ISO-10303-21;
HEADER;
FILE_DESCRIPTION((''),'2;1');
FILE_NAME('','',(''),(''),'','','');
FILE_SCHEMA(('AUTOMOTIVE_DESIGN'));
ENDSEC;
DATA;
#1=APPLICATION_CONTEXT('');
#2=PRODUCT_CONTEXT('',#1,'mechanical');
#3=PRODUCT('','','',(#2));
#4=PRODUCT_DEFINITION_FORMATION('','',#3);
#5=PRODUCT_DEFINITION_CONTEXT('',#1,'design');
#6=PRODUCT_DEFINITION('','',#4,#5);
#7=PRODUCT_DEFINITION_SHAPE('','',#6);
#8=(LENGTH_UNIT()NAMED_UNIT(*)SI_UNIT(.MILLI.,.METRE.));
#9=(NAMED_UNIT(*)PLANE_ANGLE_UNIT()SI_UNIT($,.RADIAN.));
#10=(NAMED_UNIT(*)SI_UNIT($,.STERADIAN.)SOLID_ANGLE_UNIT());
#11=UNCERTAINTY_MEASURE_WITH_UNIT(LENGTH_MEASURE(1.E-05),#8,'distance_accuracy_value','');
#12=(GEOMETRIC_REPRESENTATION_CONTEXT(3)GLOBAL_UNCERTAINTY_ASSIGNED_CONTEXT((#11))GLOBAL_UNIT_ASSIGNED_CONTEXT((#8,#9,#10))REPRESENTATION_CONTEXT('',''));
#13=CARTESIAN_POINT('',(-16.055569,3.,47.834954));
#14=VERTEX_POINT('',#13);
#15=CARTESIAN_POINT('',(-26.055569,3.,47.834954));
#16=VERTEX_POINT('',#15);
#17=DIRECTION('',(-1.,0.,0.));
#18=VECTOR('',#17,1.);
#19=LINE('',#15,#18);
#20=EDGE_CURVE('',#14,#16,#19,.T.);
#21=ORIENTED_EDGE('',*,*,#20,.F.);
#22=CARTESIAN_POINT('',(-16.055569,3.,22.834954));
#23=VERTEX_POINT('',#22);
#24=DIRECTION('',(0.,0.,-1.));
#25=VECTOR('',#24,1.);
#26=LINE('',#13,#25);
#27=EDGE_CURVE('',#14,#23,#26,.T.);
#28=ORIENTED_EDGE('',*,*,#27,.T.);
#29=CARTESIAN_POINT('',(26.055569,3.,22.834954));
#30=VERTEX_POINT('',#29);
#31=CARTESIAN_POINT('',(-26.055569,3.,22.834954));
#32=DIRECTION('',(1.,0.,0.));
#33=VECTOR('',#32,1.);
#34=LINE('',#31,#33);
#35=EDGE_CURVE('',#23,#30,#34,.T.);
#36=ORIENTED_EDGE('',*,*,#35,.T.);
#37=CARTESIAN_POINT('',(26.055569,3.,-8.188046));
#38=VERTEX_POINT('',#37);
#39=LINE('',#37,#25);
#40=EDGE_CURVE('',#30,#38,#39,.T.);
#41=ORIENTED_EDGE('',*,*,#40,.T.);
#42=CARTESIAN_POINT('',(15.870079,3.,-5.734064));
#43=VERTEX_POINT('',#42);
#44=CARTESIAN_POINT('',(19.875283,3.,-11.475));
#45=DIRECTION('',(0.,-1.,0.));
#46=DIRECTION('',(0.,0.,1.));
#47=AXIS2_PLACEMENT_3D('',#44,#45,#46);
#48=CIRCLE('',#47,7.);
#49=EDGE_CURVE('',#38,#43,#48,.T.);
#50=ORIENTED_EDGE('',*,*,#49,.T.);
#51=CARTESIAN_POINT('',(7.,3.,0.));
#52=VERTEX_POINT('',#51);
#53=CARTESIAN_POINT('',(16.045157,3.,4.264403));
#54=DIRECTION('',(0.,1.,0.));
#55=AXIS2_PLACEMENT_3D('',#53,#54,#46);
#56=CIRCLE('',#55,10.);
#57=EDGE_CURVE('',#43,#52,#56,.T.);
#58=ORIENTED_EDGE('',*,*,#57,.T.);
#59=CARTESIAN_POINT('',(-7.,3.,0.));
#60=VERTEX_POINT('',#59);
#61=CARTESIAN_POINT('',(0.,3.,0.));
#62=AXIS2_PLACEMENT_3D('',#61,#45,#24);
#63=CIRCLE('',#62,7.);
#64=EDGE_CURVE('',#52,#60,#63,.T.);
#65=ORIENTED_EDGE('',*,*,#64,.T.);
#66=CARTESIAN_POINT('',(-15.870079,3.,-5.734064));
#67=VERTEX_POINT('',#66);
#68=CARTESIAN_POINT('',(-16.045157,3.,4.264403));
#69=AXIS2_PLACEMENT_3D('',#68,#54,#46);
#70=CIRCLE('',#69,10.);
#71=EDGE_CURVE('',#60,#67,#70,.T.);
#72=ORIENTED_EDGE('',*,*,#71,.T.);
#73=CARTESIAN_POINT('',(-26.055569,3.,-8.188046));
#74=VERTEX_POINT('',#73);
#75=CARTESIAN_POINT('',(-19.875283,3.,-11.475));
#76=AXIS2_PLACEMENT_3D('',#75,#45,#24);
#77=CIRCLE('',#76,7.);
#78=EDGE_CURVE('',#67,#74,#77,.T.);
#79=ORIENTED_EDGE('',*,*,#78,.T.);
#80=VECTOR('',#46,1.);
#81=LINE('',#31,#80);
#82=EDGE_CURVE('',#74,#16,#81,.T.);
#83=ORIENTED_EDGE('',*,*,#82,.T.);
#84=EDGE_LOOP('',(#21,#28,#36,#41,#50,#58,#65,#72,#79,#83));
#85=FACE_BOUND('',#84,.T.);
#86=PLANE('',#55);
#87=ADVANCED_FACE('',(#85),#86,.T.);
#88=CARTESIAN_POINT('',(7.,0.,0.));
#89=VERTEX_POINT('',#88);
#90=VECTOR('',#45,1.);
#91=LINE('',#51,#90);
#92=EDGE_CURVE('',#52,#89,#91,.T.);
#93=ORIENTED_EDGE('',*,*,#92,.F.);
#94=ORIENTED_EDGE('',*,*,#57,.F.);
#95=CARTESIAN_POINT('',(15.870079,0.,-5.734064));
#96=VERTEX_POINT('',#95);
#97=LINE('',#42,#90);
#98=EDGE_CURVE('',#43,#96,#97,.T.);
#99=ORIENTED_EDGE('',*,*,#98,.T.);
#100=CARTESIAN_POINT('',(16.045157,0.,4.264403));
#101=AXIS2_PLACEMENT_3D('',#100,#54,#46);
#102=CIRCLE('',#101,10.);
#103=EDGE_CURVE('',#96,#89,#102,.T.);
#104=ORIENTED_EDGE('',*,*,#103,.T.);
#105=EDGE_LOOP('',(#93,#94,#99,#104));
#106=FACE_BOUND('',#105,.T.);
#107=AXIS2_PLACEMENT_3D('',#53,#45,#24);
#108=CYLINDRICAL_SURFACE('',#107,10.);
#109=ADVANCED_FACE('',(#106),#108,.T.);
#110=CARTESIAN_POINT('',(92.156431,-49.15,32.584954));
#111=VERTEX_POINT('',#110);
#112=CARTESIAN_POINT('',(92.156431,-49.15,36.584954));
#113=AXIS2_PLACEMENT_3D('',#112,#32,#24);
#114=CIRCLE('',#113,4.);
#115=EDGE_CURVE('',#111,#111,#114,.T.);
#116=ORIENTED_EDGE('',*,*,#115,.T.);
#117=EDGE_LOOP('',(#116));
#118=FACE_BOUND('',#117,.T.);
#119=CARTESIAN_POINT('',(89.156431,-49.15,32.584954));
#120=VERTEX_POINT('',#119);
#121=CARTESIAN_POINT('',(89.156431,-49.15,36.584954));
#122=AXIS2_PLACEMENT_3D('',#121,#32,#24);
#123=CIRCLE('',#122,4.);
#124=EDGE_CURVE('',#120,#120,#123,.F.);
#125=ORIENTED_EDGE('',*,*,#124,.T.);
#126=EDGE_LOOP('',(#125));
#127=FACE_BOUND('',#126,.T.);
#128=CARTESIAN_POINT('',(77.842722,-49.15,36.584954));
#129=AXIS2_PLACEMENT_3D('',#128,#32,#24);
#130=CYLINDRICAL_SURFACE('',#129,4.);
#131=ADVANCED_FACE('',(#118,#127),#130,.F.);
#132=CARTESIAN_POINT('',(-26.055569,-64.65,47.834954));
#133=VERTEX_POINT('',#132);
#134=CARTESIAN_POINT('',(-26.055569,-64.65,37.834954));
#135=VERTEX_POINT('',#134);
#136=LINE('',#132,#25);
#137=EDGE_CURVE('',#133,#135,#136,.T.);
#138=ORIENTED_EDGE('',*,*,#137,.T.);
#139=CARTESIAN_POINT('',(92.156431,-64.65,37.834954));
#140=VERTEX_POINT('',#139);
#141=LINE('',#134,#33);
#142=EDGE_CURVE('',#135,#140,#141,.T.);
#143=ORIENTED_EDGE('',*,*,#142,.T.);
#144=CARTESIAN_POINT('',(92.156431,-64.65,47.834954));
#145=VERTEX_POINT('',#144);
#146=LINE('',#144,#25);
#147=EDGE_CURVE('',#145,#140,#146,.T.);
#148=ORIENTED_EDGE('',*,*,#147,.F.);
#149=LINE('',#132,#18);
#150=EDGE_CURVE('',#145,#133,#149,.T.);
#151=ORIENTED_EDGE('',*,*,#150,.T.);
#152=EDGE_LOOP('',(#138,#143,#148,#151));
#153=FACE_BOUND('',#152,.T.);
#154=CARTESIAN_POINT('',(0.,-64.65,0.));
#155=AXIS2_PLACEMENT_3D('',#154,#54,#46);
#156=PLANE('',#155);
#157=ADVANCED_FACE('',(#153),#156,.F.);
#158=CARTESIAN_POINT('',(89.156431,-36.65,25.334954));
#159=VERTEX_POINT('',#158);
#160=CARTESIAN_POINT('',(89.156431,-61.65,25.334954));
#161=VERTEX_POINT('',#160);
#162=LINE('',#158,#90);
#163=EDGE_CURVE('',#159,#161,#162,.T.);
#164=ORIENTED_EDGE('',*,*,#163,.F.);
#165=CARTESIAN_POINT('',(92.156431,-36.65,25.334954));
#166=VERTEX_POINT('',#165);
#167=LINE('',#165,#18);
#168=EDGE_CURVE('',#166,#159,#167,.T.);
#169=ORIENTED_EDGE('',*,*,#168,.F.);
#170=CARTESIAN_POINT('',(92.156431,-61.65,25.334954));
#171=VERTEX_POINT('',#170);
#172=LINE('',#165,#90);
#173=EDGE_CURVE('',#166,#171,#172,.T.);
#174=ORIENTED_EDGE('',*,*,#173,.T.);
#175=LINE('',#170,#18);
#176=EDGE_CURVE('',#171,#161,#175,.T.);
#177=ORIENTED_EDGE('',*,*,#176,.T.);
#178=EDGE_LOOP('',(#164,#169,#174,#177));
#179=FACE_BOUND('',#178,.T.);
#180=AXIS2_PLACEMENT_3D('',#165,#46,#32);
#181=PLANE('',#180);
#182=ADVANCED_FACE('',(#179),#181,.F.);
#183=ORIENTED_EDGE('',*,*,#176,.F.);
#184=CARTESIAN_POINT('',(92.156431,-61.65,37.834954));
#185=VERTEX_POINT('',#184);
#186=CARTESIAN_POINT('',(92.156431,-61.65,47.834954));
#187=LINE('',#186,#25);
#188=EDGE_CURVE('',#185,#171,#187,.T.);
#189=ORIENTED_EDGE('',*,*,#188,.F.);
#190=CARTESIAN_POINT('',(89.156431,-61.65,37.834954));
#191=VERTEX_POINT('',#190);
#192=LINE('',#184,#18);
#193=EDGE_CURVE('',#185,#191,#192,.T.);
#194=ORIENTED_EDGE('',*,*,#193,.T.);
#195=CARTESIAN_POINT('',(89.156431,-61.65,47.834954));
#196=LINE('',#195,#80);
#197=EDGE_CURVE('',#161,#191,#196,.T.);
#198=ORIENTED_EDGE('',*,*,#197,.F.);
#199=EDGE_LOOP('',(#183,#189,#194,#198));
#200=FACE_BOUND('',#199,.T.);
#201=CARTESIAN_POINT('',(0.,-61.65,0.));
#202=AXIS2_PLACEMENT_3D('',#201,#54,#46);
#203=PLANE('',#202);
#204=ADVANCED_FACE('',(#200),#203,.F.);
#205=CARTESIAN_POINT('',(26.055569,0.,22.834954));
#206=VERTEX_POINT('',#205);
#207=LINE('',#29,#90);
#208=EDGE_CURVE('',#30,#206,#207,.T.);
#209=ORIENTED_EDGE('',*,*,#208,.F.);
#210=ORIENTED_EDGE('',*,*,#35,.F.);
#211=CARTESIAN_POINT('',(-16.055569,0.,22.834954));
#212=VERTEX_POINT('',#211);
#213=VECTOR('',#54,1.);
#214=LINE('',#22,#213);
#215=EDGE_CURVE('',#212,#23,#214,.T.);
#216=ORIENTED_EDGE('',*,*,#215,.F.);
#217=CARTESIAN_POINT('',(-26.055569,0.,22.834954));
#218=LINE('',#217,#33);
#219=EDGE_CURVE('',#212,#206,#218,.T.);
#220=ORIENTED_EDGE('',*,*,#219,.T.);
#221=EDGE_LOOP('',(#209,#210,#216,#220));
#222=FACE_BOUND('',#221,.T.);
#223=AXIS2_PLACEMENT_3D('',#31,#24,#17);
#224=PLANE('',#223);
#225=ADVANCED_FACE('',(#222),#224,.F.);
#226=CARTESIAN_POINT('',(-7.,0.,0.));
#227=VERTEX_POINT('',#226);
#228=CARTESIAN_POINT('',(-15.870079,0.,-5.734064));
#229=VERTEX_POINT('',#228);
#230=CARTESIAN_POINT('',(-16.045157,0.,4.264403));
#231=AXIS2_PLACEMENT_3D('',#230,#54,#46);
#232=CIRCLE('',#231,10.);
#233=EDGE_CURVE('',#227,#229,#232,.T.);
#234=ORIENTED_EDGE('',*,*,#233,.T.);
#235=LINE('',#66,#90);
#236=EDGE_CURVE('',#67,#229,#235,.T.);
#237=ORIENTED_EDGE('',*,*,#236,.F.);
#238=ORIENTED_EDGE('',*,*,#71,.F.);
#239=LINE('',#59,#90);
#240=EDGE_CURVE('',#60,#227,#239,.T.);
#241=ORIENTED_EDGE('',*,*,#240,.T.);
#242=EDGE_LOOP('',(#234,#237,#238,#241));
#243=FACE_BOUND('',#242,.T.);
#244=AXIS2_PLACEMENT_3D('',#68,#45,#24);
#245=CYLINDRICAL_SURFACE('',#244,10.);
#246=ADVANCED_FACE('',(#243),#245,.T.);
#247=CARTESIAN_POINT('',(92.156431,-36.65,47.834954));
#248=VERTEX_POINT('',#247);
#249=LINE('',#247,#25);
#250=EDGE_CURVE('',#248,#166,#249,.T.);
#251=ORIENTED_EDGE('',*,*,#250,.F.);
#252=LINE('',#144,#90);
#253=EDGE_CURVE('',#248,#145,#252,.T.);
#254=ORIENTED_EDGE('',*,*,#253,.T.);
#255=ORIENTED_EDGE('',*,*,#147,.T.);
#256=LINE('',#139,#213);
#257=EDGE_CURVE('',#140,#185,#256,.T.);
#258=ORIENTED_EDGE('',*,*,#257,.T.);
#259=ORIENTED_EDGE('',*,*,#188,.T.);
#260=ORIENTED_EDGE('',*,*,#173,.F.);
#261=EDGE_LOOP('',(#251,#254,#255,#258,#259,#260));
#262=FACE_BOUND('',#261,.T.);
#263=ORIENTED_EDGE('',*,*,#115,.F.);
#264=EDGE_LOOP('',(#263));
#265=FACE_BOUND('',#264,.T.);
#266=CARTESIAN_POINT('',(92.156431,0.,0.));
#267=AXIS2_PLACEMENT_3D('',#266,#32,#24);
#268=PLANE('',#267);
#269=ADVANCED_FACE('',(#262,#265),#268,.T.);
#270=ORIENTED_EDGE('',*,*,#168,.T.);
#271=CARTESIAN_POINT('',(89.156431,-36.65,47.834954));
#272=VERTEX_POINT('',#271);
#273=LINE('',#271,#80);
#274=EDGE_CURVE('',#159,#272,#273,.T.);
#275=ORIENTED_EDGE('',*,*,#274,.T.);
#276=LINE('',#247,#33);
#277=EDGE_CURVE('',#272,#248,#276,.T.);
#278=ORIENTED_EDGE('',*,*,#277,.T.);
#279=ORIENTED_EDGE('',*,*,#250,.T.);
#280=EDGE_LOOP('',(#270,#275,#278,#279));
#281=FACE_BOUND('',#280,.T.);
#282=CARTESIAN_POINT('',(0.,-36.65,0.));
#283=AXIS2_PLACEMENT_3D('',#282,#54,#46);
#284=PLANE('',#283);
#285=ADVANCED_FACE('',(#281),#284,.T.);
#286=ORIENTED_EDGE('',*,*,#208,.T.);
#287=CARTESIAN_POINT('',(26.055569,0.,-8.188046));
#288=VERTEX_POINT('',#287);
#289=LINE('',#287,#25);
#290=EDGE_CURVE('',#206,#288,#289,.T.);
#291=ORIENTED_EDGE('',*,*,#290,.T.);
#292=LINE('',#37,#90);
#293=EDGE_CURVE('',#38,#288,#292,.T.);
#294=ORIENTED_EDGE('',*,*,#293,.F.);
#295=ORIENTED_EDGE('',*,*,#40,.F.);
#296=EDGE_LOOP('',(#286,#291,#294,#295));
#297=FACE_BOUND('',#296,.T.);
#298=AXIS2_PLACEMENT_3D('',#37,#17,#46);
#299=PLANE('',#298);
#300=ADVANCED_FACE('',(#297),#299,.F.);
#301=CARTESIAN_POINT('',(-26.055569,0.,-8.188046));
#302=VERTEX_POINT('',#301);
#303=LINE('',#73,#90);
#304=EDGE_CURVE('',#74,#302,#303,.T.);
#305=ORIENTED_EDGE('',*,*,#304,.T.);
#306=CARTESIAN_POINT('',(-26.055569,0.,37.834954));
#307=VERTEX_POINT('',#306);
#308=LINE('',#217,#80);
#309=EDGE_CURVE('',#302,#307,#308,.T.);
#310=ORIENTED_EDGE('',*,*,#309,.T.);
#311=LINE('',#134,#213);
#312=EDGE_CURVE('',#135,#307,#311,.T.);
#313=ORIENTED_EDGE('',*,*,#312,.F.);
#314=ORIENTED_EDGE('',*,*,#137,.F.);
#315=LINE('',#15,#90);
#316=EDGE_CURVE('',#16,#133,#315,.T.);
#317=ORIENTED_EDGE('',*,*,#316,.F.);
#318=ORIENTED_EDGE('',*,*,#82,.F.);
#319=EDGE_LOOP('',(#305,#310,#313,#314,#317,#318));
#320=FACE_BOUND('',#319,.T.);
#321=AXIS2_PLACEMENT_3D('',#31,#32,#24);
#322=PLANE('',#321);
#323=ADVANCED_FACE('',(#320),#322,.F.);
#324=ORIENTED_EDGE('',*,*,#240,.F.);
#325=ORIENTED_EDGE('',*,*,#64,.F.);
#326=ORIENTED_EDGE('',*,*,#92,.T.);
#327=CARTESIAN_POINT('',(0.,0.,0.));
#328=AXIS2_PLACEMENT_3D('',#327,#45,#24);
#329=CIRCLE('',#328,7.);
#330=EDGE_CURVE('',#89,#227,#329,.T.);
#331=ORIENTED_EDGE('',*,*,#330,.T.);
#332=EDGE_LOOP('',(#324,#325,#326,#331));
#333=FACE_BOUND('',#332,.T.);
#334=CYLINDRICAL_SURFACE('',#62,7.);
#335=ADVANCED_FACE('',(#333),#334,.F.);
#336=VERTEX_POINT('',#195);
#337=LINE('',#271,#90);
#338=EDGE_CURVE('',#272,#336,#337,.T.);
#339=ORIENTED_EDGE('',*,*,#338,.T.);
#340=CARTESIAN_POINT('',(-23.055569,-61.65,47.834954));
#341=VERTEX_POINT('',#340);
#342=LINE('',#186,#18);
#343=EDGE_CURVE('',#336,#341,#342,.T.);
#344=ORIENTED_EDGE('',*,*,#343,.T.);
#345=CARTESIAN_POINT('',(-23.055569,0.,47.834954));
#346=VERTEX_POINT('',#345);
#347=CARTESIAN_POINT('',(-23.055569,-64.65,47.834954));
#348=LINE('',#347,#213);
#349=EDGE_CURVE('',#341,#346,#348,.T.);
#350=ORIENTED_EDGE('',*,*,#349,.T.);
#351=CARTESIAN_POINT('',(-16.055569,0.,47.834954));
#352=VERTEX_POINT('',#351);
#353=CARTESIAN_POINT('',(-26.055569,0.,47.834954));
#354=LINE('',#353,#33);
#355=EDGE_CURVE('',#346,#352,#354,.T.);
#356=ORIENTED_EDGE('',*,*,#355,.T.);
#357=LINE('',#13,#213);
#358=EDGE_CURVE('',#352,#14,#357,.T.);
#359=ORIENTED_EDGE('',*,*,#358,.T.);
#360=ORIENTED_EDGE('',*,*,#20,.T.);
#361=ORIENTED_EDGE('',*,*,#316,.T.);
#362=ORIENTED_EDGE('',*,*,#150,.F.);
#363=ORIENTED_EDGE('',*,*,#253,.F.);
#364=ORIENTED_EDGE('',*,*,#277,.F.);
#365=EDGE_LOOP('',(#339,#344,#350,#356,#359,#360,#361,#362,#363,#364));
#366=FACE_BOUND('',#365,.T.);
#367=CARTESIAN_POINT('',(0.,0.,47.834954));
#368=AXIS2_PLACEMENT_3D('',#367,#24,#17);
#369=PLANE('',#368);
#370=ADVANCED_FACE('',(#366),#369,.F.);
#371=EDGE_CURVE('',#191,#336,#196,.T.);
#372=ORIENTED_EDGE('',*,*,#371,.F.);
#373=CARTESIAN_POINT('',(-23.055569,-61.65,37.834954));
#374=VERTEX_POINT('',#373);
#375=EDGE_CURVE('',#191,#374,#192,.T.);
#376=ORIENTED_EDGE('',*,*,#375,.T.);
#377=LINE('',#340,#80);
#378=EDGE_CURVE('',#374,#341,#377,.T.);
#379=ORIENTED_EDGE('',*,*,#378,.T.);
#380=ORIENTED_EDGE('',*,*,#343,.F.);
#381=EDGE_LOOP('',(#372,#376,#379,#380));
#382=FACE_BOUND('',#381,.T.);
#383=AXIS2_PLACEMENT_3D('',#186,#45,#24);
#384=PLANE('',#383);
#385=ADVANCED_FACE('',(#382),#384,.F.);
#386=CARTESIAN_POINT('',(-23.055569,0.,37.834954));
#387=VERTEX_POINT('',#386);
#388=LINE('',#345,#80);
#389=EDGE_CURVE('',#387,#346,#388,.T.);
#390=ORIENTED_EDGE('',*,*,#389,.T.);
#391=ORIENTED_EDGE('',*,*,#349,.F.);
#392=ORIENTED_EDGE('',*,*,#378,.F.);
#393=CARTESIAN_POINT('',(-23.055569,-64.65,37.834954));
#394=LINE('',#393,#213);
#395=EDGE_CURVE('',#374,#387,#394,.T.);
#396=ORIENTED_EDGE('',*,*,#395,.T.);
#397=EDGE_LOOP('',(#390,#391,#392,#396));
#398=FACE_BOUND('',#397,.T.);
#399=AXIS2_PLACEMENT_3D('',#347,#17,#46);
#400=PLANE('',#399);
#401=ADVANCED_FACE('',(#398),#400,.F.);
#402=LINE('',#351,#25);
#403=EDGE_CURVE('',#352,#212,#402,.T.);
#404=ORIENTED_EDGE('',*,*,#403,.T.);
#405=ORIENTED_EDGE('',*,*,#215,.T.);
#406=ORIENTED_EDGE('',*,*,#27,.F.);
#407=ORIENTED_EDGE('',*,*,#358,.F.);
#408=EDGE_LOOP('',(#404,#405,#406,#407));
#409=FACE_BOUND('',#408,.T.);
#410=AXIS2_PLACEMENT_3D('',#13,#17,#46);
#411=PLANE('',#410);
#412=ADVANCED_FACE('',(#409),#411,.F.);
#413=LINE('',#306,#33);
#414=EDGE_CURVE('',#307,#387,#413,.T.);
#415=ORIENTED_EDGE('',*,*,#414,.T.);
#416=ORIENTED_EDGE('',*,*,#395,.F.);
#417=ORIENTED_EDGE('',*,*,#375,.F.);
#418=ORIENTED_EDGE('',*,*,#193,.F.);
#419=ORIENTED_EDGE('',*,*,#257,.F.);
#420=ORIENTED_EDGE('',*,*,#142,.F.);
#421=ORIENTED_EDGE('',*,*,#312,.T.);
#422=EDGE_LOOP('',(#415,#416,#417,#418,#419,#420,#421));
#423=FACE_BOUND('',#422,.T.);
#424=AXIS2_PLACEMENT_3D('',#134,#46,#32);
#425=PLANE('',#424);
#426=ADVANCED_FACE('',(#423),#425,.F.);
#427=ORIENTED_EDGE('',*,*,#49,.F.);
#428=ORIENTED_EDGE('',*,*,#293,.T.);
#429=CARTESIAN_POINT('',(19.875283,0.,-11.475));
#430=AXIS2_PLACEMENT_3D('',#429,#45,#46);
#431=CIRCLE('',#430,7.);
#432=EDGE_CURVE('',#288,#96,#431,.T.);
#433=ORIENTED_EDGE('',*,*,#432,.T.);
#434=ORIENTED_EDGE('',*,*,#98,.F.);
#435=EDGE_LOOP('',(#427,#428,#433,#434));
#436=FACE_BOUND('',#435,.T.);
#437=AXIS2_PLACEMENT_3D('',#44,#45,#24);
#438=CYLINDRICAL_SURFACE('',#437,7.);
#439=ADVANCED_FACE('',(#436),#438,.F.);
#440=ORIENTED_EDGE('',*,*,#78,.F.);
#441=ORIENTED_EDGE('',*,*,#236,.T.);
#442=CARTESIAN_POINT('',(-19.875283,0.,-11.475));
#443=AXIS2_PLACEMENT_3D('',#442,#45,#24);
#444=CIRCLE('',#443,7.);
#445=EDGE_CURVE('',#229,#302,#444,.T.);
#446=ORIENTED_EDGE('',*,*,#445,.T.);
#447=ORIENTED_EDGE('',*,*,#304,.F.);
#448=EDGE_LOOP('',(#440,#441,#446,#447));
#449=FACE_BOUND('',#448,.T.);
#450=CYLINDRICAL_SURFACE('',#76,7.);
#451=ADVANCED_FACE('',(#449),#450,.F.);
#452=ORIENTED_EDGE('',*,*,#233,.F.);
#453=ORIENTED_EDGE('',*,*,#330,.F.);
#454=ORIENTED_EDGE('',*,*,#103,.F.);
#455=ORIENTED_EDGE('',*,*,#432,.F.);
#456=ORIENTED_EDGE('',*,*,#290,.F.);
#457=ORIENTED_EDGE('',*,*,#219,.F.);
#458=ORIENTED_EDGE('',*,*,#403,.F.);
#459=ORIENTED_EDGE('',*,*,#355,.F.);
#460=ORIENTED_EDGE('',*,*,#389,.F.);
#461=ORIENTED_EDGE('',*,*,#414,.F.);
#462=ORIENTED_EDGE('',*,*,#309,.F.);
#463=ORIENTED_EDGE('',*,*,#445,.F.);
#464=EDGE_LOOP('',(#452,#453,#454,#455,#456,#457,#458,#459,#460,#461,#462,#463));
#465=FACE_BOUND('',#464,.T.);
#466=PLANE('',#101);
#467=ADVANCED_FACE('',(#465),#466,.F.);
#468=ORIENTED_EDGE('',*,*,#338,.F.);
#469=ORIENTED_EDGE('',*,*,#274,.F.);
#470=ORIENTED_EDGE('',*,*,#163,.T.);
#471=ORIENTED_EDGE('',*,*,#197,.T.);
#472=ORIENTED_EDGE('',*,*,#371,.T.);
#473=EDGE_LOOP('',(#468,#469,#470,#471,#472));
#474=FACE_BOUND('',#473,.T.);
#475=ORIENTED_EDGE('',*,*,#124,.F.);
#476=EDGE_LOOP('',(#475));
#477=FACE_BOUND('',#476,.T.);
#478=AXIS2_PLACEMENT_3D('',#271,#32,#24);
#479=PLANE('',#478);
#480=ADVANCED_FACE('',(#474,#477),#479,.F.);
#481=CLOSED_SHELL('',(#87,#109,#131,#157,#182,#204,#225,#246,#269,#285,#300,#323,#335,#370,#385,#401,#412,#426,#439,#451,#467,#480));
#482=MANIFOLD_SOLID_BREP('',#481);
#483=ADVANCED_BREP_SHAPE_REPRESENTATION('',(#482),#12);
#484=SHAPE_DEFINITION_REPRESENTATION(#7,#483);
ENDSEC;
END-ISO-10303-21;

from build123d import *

# Parameters (mm, degrees)
BOSS_EXTRUDE1_DEPTH = 3
SKETCH6_W           = 10
SKETCH6_H           = 3
BOSS_EXTRUDE5_DEPTH = 25
SKETCH8_W           = 3
SKETCH8_H           = 10
BOSS_EXTRUDE7_DEPTH = 64.65
SKETCH9_W           = 10
SKETCH9_H           = 3
BOSS_EXTRUDE8_DEPTH = 115.212
SKETCH10_W          = 3
SKETCH10_H          = 22.5
BOSS_EXTRUDE9_DEPTH = 25
SKETCH11_R          = 4
CUT_EXTRUDE1_DEPTH  = 3


with BuildPart() as part:
    # Sketch2 → Boss-Extrude1 (new body)
    with BuildSketch(Plane(origin=(0, 0, 0), x_dir=(1, 0, 0), z_dir=(0, 1, 0))):
        with BuildLine():
            Line((26.055569119, 8.188046441), (26.055569119, -22.834953559))
            Line((26.055569119, -22.834953559), (-26.055569119, -22.834953559))
            Line((-26.055569119, -22.834953559), (-26.055569119, 8.188046441))
            ThreePointArc((-26.055569119, 8.188046441), (-21.514872246, 4.669726518), (-15.870079226, 5.73406431))
            ThreePointArc((-15.870079226, 5.73406431), (-10.616247764, 4.133629141), (-7, 0))
            ThreePointArc((-7, 0), (0, -7), (7, 0))
            ThreePointArc((7, 0), (10.616247764, 4.133629141), (15.870079226, 5.73406431))
            ThreePointArc((15.870079226, 5.73406431), (21.514872246, 4.669726518), (26.055569119, 8.188046441))
        make_face()
    extrude(amount=BOSS_EXTRUDE1_DEPTH)

    # Sketch6 → Boss-Extrude5 (add)
    with BuildSketch(Plane.XY.offset(22.834953559)):
        with Locations((-21.055569119, 1.5)):
            Rectangle(SKETCH6_W, SKETCH6_H)
    extrude(amount=BOSS_EXTRUDE5_DEPTH)

    # Sketch8 → Boss-Extrude7 (add)
    with BuildSketch(Plane(origin=(0, 0, 0), x_dir=(-1, 0, 0), z_dir=(0, -1, 0))):
        with Locations((24.555569119, -42.834953559)):
            Rectangle(SKETCH8_W, SKETCH8_H)
    extrude(amount=BOSS_EXTRUDE7_DEPTH)

    # Sketch9 → Boss-Extrude8 (add)
    with BuildSketch(Plane(origin=(-23.055569119, 0, 0), x_dir=(0, 0, -1), z_dir=(1, 0, 0))):
        with Locations((-42.834953559, -63.15)):
            Rectangle(SKETCH9_W, SKETCH9_H)
    extrude(amount=BOSS_EXTRUDE8_DEPTH)

    # Sketch10 → Boss-Extrude9 (add)
    with BuildSketch(Plane(origin=(0, -61.65, 0), x_dir=(1, 0, 0), z_dir=(0, 1, 0))):
        with Locations((90.656430881, -36.584953559)):
            Rectangle(SKETCH10_W, SKETCH10_H)
    extrude(amount=BOSS_EXTRUDE9_DEPTH)

    # Sketch11 → Cut-Extrude1 (cut)
    with BuildSketch(Plane(origin=(92.156430881, 0, 0), x_dir=(0, 0, -1), z_dir=(1, 0, 0))):
        with Locations((-36.584953559, -49.15)):
            Circle(SKETCH11_R)
    extrude(amount=-CUT_EXTRUDE1_DEPTH, mode=Mode.SUBTRACT)


solid = part.part
